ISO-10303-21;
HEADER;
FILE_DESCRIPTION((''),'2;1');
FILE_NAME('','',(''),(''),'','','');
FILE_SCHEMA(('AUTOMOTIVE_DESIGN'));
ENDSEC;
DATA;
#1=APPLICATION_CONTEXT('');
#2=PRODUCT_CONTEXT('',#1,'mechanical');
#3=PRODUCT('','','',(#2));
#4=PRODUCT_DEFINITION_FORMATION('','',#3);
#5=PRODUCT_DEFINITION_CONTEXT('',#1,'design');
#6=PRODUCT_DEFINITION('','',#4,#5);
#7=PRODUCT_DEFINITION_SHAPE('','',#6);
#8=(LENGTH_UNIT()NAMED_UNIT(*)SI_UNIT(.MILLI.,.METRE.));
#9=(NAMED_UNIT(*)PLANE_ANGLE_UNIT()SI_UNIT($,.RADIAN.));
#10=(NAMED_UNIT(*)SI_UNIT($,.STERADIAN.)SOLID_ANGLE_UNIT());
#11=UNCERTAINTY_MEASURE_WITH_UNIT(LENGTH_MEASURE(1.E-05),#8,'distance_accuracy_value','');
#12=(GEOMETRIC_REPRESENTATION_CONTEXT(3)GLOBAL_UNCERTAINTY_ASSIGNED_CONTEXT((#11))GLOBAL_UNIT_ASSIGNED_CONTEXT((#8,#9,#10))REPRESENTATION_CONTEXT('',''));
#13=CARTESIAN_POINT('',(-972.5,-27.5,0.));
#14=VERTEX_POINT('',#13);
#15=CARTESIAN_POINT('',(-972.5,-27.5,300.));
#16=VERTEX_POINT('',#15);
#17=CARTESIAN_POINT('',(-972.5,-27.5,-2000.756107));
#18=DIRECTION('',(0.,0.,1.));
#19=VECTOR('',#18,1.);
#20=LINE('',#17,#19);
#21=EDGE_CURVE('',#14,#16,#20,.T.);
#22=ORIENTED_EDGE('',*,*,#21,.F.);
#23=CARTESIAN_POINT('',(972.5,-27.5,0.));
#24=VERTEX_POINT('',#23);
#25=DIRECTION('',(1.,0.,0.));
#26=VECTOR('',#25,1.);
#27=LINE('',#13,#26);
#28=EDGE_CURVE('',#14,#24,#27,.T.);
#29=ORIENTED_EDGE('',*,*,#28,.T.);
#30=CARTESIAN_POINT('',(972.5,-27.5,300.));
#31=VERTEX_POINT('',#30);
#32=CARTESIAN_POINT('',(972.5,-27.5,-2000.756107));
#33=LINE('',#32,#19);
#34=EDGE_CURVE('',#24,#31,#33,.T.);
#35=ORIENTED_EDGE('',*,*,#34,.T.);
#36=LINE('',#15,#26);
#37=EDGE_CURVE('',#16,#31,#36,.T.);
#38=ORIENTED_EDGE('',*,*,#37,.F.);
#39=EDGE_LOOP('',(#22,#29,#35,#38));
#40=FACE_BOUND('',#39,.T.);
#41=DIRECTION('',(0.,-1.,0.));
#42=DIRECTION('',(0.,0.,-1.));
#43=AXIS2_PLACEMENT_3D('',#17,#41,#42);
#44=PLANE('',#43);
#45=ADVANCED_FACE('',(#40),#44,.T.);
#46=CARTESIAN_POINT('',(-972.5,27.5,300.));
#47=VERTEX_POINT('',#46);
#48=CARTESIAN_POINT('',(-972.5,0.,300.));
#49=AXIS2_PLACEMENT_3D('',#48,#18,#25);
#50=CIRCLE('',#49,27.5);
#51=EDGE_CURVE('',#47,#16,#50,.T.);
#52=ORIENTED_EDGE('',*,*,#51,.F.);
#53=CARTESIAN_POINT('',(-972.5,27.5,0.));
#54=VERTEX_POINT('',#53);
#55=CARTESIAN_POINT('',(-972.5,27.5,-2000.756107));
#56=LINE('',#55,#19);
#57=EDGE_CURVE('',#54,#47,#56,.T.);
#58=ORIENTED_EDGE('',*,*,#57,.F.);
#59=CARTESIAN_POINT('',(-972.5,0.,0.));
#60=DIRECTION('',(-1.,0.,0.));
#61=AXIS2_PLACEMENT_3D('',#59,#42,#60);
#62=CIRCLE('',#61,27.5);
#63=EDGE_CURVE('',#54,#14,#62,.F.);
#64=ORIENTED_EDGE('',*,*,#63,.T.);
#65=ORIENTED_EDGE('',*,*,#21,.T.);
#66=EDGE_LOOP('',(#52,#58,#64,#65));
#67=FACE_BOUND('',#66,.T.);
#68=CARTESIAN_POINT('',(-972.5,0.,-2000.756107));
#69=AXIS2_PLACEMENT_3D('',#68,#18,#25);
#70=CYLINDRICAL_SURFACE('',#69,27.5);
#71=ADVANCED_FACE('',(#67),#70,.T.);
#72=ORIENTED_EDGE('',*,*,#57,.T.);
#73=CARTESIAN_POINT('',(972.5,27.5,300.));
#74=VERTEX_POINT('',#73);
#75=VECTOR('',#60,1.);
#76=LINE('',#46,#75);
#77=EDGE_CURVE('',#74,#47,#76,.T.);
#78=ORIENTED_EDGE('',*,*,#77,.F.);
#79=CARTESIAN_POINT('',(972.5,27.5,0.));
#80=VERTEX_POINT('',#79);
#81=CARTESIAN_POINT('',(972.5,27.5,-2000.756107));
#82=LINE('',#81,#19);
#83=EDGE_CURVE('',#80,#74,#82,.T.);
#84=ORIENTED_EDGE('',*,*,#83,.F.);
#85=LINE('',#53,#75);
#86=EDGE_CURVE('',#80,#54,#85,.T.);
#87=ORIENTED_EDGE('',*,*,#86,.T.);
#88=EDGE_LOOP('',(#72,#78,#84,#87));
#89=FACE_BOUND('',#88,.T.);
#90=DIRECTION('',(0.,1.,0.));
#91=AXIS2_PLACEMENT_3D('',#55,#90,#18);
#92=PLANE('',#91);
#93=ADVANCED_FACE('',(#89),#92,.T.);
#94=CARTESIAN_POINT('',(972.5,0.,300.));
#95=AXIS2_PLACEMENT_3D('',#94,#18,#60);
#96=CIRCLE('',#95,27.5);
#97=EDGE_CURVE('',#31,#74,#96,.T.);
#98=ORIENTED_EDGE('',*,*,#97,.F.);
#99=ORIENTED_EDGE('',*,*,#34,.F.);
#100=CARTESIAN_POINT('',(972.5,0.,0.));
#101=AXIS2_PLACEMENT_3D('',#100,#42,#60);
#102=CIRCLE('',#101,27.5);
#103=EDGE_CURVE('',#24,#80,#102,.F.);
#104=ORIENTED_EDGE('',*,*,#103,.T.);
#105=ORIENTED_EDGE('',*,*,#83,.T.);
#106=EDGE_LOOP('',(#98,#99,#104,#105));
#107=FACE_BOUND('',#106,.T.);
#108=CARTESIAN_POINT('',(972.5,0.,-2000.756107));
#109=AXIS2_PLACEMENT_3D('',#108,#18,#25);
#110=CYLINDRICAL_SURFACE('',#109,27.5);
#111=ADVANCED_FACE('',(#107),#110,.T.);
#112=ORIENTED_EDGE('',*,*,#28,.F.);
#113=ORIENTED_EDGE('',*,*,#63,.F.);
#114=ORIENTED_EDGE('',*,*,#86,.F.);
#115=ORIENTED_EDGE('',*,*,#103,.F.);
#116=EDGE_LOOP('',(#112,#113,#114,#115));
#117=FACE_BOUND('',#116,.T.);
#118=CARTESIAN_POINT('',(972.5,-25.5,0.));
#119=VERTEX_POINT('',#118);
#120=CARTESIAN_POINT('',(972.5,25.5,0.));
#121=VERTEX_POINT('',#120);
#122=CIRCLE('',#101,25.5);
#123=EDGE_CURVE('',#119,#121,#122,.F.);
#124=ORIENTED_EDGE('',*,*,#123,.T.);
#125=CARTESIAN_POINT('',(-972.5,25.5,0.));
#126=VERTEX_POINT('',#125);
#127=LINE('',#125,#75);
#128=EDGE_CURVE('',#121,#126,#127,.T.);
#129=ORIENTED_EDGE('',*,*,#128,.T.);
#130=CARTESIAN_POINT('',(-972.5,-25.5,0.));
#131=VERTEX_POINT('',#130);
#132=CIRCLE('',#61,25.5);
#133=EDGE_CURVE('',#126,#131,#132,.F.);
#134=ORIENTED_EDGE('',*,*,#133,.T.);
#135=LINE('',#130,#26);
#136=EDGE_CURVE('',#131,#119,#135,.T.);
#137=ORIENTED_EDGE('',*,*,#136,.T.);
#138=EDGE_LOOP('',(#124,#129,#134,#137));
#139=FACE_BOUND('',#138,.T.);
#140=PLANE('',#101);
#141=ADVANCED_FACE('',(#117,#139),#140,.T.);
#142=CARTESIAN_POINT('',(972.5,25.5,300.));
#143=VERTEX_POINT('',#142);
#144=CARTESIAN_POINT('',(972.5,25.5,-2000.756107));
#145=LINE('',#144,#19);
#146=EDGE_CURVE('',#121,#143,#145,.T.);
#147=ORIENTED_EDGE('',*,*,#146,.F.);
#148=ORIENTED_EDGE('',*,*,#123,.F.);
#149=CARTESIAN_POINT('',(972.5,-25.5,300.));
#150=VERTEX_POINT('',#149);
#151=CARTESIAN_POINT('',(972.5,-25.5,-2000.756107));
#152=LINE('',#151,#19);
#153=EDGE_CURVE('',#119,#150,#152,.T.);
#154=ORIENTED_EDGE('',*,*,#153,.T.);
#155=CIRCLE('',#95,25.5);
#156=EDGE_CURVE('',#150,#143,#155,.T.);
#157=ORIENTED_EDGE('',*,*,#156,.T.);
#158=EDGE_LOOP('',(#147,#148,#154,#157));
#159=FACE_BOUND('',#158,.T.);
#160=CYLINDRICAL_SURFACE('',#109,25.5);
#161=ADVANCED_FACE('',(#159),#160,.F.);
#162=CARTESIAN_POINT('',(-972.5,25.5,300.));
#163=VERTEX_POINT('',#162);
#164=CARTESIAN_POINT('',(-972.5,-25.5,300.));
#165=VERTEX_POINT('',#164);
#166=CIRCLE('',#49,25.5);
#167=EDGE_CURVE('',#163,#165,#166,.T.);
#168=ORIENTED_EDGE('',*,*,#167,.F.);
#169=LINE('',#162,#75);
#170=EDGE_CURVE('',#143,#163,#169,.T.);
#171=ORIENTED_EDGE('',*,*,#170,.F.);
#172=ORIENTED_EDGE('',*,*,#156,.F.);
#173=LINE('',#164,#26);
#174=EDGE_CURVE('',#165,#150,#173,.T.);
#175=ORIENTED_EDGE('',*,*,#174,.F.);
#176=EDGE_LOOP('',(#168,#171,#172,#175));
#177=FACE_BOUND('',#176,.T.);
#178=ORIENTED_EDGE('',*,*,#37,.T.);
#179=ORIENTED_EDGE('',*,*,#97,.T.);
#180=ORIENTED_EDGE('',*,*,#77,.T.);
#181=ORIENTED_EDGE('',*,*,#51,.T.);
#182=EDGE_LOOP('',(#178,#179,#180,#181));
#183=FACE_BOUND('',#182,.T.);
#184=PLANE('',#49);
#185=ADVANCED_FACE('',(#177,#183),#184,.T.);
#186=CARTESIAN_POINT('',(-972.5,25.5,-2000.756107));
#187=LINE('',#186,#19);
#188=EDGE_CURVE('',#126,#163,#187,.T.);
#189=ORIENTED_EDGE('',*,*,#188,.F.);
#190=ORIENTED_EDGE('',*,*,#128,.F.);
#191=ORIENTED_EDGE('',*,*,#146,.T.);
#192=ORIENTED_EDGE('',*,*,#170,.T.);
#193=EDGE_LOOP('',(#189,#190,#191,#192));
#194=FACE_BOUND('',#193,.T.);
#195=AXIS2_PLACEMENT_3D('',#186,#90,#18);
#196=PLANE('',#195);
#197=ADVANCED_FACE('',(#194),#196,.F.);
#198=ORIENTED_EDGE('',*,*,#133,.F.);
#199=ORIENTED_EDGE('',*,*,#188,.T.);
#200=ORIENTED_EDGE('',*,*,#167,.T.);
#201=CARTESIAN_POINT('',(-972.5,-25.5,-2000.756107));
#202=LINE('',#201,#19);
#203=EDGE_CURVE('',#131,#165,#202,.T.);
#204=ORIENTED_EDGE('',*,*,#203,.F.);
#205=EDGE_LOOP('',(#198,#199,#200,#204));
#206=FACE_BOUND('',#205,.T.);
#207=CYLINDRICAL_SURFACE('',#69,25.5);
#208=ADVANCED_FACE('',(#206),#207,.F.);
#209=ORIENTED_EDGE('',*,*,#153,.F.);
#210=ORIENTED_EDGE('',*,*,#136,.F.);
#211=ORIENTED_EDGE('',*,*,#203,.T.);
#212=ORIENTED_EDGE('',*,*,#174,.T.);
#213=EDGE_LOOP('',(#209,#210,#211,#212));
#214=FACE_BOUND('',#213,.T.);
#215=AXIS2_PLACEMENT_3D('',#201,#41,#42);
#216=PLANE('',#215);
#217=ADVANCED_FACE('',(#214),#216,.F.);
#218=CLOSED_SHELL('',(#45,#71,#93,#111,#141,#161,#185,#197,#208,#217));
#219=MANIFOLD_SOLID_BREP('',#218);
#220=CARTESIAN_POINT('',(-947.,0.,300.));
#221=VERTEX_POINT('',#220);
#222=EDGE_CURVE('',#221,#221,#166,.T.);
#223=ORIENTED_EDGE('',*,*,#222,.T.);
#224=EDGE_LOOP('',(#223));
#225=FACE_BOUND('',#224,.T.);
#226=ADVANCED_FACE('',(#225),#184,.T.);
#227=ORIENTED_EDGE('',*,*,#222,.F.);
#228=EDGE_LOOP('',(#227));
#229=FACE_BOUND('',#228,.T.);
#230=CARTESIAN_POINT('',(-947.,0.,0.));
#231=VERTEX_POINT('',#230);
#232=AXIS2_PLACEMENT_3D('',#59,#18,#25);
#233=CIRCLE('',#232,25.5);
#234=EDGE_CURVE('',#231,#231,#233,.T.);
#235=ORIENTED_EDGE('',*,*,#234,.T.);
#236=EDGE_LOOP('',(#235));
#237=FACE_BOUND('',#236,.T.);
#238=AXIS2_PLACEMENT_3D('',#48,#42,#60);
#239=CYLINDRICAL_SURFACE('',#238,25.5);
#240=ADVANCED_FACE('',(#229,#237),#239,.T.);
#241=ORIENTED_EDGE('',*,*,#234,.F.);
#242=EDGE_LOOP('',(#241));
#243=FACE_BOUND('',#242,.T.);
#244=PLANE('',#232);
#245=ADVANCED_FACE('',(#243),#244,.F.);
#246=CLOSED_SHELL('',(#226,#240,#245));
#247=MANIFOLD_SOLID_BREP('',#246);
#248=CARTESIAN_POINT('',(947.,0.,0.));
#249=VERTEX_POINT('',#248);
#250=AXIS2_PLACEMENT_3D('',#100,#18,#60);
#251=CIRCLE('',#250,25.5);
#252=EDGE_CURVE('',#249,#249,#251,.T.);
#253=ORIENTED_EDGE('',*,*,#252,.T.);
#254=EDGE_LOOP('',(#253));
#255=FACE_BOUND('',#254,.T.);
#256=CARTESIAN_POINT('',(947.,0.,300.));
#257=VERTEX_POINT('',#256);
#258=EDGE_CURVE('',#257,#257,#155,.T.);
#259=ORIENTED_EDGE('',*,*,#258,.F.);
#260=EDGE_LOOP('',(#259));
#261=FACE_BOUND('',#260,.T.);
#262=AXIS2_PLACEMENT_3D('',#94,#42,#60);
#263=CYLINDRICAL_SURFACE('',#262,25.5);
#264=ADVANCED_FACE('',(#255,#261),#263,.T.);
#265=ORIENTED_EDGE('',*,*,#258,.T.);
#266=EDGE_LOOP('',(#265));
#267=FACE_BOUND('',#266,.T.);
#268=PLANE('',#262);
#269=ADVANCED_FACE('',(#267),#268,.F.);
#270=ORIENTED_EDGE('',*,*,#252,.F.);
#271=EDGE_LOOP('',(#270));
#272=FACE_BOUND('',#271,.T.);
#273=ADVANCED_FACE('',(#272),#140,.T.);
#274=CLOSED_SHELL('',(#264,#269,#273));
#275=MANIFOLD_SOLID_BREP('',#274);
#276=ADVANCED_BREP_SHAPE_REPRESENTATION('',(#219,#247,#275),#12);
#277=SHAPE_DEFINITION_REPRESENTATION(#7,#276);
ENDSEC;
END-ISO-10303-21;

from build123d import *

# Parameters (mm, degrees)
SKETCH1_R             = 25.5
BOSS_EXTRUDE1_DEPTH   = 300
BOSS_EXTRUDE1_2_DEPTH = 300
BOSS_EXTRUDE2_DEPTH   = 300


with BuildPart() as part:
    # Sketch1 → Boss-Extrude1 (new body)
    with BuildSketch(Plane.XY):
        with Locations((-972.5, 0)):
            Circle(SKETCH1_R)
    extrude(amount=BOSS_EXTRUDE1_DEPTH)


with BuildPart() as body_2:
    # Sketch1 → Boss-Extrude1 2 (new body)
    with BuildSketch(Plane.XY):
        with Locations((972.5, 0)):
            Circle(SKETCH1_R)
    extrude(amount=BOSS_EXTRUDE1_2_DEPTH)


with BuildPart() as body_3:
    # Sketch2 → Boss-Extrude2 (new body)
    with BuildSketch(Plane.XY.offset(300)):
        with BuildLine():
            Line((-972.5, 27.5), (972.5, 27.5))
            ThreePointArc((972.5, 27.5), (1000, 0), (972.5, -27.5))
            Line((972.5, -27.5), (-972.5, -27.5))
            ThreePointArc((-972.5, -27.5), (-1000, 0), (-972.5, 27.5))
        make_face()
        with BuildLine():
            Line((-972.5, 25.5), (972.5, 25.5))
            ThreePointArc((972.5, 25.5), (998, 0), (972.5, -25.5))
            Line((972.5, -25.5), (-972.5, -25.5))
            ThreePointArc((-972.5, -25.5), (-998, 0), (-972.5, 25.5))
        make_face(mode=Mode.SUBTRACT)
    extrude(amount=-BOSS_EXTRUDE2_DEPTH)


solid = Compound([part.part, body_2.part, body_3.part])
